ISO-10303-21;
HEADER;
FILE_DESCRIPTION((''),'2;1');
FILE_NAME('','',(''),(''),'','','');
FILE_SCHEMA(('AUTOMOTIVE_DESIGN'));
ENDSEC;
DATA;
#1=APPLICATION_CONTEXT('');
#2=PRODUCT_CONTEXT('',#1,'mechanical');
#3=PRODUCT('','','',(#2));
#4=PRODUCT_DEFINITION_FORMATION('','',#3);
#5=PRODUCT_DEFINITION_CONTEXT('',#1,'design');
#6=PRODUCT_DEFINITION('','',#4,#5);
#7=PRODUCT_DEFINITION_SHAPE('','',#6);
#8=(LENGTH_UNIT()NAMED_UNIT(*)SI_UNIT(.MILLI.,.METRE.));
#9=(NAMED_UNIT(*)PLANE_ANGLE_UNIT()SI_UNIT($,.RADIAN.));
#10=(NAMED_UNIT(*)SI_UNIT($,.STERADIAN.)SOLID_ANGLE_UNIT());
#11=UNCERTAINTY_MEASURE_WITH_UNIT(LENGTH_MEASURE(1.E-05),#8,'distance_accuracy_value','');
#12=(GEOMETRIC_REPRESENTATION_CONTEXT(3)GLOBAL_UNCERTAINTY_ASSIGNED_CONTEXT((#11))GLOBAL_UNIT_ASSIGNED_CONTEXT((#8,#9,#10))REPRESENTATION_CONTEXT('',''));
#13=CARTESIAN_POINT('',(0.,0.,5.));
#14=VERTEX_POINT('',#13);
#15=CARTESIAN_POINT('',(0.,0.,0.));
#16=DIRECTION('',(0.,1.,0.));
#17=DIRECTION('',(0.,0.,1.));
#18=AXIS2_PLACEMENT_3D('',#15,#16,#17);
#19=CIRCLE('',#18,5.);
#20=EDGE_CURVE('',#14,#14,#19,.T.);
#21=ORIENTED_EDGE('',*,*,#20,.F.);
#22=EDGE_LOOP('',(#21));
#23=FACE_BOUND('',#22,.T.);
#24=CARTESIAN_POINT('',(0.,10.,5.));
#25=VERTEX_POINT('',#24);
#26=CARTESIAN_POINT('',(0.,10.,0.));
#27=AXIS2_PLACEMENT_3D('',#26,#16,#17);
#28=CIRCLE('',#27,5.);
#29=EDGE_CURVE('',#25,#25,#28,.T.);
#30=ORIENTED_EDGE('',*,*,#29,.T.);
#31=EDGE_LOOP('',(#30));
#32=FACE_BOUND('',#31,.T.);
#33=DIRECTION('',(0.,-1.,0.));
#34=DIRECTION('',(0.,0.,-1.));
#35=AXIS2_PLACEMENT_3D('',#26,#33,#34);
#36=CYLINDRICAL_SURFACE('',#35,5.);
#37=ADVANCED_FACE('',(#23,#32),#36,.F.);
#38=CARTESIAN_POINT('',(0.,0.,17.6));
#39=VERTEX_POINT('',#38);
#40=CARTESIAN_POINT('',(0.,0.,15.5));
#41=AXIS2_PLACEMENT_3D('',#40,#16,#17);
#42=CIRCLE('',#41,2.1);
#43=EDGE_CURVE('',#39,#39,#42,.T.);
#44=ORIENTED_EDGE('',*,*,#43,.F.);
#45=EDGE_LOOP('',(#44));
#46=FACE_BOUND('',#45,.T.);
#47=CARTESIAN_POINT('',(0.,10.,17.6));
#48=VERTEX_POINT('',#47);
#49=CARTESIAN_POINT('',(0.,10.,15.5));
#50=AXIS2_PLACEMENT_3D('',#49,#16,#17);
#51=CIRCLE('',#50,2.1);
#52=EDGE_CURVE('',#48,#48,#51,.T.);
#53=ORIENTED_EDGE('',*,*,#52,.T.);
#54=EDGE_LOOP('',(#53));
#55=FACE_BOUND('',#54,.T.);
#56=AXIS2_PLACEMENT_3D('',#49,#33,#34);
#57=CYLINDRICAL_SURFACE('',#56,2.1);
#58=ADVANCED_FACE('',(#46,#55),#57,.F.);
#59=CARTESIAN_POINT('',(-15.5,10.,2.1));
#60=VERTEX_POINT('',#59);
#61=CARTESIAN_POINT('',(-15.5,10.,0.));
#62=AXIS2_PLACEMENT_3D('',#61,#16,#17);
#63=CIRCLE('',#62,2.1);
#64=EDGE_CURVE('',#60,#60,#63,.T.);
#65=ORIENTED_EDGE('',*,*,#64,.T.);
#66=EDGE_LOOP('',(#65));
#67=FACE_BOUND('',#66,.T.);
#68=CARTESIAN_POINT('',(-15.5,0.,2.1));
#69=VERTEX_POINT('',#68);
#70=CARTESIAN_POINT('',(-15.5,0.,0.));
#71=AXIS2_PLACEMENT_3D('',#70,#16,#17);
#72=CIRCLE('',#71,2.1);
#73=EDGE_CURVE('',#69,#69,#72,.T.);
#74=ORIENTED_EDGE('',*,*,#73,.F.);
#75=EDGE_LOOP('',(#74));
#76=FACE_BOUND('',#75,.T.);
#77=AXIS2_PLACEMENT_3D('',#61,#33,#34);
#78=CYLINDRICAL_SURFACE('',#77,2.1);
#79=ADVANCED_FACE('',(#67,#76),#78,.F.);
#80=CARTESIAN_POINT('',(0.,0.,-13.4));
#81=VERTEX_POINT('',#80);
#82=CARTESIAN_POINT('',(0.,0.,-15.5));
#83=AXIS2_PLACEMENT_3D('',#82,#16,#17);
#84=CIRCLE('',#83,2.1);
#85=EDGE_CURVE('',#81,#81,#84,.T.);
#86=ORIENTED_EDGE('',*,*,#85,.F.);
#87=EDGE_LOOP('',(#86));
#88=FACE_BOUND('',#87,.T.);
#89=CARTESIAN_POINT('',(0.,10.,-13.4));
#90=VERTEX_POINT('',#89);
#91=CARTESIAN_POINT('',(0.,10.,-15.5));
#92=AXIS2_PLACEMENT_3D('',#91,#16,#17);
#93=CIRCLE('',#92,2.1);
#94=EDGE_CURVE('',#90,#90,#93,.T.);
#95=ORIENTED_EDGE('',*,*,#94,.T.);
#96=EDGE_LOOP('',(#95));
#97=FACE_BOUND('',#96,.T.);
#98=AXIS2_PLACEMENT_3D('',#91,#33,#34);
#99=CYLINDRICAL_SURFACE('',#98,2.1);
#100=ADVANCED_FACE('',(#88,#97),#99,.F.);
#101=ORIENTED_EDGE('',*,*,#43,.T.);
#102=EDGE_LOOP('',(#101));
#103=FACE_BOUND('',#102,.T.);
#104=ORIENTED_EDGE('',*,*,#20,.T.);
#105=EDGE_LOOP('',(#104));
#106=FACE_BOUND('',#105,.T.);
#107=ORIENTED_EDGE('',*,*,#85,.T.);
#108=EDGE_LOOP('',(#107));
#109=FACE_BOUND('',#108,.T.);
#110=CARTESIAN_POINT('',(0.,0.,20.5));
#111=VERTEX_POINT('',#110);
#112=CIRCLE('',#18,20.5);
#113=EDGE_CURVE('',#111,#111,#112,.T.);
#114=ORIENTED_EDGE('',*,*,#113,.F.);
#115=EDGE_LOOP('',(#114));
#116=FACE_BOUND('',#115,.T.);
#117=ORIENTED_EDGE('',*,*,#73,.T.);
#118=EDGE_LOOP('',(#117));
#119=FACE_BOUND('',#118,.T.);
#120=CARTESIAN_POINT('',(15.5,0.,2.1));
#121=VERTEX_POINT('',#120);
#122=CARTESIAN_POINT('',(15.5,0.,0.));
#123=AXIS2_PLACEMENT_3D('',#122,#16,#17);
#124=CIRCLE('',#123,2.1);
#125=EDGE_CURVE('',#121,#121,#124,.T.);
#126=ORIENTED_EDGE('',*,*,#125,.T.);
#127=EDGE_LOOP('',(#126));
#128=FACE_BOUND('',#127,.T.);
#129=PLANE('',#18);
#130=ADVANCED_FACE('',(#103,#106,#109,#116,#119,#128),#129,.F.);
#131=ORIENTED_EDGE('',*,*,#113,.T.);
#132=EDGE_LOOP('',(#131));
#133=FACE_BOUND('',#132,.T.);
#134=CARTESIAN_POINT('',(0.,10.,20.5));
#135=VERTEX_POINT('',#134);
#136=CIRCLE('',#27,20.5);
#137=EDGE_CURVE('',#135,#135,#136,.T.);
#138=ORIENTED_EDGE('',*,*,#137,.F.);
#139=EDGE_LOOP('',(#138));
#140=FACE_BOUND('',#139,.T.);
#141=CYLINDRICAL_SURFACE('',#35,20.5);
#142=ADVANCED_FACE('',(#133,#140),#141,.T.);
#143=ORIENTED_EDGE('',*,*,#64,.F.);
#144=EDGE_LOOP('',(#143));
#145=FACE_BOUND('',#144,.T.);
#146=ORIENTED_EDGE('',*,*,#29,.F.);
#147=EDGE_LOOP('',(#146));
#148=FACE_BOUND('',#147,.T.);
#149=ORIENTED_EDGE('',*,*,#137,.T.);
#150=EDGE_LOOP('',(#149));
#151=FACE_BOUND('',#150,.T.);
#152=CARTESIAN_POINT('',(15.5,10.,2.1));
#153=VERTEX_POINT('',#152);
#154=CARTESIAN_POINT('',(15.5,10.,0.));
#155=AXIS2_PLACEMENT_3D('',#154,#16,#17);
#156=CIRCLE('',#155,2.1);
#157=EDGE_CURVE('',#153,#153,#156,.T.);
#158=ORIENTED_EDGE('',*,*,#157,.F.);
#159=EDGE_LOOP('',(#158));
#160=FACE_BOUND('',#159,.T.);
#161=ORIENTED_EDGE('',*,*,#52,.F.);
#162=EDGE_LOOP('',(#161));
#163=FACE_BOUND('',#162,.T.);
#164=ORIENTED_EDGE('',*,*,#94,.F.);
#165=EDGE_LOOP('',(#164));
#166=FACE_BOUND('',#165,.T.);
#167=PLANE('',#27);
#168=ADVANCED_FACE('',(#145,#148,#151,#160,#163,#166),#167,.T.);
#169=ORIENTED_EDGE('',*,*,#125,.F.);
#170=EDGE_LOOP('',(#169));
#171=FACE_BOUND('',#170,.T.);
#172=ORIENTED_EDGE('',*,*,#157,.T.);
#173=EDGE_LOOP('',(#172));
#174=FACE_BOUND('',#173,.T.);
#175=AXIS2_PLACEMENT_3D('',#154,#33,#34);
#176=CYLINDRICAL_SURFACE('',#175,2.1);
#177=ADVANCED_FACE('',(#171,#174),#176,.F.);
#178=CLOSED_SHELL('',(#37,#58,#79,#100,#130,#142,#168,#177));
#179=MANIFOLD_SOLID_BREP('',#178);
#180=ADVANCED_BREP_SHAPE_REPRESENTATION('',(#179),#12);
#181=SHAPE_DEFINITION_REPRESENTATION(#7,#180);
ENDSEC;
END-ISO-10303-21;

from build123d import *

# Parameters (mm, degrees)
SKETCH_1_R      = 20.5
SKETCH_1_R_2    = 5
SKETCH_1_R_3    = 2.1
EXTRUDE_1_DEPTH = 10


with BuildPart() as part:
    # 草图1 → 凸台-拉伸1 (new body)
    with BuildSketch(Plane(origin=(0, 0, 0), x_dir=(1, 0, 0), z_dir=(0, 1, 0))):
        with Locations(Location((0, 0, 0), (0, 0, 270))):
            Circle(SKETCH_1_R)
        with Locations(Location((0, 0, 0), (0, 0, 270))):
            Circle(SKETCH_1_R_2, mode=Mode.SUBTRACT)
        with Locations(Location((0, 15.5, 0), (0, 0, 270))):
            Circle(SKETCH_1_R_3, mode=Mode.SUBTRACT)
        with Locations(Location((15.5, 0, 0), (0, 0, 270))):
            Circle(SKETCH_1_R_3, mode=Mode.SUBTRACT)
        with Locations(Location((0, -15.5, 0), (0, 0, 270))):
            Circle(SKETCH_1_R_3, mode=Mode.SUBTRACT)
        with Locations(Location((-15.5, 0, 0), (0, 0, 270))):
            Circle(SKETCH_1_R_3, mode=Mode.SUBTRACT)
    extrude(amount=EXTRUDE_1_DEPTH)


solid = part.part
